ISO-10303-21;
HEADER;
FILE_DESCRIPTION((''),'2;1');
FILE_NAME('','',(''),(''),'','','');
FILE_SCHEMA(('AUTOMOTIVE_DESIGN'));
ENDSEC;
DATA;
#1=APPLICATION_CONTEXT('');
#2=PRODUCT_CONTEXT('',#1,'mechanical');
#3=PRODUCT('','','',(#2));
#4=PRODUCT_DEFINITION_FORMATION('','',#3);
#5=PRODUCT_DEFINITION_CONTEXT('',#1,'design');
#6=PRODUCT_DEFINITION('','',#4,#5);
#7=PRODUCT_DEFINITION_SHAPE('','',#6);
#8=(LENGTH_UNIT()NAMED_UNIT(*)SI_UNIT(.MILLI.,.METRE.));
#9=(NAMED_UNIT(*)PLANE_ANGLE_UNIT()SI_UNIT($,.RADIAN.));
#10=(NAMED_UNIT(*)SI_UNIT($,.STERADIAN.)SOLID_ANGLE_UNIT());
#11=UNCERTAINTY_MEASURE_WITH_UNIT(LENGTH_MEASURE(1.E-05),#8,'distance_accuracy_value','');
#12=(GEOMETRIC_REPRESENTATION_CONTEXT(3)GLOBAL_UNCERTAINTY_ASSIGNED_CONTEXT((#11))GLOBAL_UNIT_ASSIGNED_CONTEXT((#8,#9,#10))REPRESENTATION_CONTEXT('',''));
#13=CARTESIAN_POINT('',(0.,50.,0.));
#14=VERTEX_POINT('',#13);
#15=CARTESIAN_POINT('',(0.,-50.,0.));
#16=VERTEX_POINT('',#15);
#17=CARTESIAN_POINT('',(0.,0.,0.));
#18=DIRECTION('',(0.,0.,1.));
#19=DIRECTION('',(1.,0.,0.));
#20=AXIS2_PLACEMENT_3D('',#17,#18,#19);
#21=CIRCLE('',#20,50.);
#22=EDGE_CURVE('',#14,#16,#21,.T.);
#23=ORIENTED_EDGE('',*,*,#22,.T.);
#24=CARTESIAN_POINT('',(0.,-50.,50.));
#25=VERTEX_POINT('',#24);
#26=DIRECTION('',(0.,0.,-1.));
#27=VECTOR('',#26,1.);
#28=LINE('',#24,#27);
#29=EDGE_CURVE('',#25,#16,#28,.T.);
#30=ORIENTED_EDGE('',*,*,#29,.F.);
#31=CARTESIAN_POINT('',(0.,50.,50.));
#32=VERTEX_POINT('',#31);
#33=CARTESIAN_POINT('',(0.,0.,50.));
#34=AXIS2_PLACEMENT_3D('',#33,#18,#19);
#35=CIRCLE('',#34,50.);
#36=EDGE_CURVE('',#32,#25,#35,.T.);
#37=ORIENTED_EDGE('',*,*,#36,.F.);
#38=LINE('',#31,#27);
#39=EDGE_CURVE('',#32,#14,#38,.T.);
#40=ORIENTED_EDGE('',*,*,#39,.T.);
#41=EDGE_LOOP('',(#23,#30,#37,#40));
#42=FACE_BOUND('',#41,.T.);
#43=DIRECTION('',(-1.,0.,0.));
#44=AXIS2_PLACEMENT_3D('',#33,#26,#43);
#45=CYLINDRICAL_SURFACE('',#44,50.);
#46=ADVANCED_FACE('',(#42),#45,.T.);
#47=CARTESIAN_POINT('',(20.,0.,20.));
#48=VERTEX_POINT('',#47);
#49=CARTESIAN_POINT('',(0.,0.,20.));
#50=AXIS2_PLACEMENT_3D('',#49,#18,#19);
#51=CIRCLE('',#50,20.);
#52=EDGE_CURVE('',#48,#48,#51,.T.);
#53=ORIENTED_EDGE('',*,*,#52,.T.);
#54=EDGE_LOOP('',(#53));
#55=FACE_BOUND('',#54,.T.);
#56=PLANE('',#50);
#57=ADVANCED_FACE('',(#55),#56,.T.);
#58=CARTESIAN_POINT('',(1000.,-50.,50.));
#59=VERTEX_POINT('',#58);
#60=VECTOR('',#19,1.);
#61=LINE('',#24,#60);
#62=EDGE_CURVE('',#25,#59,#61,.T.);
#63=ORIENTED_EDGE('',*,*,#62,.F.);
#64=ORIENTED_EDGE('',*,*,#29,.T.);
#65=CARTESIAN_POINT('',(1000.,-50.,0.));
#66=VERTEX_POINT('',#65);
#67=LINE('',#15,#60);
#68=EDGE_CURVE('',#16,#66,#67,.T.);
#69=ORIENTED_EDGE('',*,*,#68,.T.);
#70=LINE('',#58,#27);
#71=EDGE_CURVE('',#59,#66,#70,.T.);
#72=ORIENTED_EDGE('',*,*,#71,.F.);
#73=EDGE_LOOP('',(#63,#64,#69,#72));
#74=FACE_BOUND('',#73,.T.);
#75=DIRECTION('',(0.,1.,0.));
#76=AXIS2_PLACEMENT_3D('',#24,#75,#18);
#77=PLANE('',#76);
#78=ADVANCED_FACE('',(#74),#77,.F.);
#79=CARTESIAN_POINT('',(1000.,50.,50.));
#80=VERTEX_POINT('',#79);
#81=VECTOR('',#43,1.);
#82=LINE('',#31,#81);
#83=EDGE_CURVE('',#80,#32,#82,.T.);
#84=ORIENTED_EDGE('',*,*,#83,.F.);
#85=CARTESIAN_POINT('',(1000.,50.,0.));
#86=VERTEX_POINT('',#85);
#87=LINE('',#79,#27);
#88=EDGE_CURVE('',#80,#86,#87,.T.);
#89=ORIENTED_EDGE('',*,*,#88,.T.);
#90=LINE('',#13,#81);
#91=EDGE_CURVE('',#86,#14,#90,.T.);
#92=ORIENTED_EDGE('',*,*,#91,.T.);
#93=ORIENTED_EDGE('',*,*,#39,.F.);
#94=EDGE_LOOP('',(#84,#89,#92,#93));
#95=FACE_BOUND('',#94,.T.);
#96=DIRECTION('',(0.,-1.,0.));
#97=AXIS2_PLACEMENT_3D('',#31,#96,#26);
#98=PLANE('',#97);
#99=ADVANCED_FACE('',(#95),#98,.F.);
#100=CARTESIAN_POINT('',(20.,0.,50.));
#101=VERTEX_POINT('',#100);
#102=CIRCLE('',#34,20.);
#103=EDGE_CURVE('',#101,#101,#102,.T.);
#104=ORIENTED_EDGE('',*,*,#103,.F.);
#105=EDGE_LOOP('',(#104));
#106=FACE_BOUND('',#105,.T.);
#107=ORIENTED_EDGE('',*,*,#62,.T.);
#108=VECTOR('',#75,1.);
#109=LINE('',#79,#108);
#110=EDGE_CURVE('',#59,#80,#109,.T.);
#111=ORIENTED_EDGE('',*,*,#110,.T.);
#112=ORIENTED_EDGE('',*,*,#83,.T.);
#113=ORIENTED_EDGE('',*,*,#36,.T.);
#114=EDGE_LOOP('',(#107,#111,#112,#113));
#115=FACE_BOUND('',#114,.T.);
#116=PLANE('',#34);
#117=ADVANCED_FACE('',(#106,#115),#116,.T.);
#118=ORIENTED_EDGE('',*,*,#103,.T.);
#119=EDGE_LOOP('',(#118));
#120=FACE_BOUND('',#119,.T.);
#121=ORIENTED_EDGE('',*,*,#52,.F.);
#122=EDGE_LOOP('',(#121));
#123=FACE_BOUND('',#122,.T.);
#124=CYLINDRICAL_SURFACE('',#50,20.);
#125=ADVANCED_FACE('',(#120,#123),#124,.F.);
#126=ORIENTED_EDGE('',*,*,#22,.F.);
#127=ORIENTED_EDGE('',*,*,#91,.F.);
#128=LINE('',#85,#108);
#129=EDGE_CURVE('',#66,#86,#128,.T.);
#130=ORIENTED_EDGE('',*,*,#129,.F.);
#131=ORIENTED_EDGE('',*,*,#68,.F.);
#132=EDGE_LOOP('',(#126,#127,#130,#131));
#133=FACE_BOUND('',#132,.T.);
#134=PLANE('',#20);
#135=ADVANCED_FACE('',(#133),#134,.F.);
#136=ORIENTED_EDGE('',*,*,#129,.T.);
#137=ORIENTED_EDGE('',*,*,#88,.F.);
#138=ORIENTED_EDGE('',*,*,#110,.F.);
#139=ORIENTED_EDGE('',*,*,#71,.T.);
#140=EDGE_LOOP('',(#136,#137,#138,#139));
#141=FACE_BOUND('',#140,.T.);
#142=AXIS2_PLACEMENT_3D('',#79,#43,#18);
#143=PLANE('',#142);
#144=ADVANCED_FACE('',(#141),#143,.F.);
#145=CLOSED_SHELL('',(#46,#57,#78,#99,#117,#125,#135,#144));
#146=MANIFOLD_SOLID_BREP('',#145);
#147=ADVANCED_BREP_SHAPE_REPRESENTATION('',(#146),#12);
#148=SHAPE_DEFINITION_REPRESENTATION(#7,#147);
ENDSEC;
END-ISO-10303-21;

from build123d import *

# Parameters (mm, degrees)
EXTRUDE_1_DEPTH     = 50
SKETCH_2_R          = 20
CUT_EXTRUDE_1_DEPTH = 30


with BuildPart() as part:
    # 草图1 → 凸台-拉伸1 (new body)
    with BuildSketch(Plane.XY):
        with BuildLine():
            Line((0, 50), (1000, 50))
            Line((1000, 50), (1000, -50))
            Line((1000, -50), (0, -50))
            ThreePointArc((0, -50), (-50, 0), (0, 50))
        make_face()
    extrude(amount=EXTRUDE_1_DEPTH)

    # 草图2 → 切除-拉伸1 (cut)
    with BuildSketch(Plane.XY.offset(50)):
        Circle(SKETCH_2_R)
    extrude(amount=-CUT_EXTRUDE_1_DEPTH, mode=Mode.SUBTRACT)


solid = part.part
